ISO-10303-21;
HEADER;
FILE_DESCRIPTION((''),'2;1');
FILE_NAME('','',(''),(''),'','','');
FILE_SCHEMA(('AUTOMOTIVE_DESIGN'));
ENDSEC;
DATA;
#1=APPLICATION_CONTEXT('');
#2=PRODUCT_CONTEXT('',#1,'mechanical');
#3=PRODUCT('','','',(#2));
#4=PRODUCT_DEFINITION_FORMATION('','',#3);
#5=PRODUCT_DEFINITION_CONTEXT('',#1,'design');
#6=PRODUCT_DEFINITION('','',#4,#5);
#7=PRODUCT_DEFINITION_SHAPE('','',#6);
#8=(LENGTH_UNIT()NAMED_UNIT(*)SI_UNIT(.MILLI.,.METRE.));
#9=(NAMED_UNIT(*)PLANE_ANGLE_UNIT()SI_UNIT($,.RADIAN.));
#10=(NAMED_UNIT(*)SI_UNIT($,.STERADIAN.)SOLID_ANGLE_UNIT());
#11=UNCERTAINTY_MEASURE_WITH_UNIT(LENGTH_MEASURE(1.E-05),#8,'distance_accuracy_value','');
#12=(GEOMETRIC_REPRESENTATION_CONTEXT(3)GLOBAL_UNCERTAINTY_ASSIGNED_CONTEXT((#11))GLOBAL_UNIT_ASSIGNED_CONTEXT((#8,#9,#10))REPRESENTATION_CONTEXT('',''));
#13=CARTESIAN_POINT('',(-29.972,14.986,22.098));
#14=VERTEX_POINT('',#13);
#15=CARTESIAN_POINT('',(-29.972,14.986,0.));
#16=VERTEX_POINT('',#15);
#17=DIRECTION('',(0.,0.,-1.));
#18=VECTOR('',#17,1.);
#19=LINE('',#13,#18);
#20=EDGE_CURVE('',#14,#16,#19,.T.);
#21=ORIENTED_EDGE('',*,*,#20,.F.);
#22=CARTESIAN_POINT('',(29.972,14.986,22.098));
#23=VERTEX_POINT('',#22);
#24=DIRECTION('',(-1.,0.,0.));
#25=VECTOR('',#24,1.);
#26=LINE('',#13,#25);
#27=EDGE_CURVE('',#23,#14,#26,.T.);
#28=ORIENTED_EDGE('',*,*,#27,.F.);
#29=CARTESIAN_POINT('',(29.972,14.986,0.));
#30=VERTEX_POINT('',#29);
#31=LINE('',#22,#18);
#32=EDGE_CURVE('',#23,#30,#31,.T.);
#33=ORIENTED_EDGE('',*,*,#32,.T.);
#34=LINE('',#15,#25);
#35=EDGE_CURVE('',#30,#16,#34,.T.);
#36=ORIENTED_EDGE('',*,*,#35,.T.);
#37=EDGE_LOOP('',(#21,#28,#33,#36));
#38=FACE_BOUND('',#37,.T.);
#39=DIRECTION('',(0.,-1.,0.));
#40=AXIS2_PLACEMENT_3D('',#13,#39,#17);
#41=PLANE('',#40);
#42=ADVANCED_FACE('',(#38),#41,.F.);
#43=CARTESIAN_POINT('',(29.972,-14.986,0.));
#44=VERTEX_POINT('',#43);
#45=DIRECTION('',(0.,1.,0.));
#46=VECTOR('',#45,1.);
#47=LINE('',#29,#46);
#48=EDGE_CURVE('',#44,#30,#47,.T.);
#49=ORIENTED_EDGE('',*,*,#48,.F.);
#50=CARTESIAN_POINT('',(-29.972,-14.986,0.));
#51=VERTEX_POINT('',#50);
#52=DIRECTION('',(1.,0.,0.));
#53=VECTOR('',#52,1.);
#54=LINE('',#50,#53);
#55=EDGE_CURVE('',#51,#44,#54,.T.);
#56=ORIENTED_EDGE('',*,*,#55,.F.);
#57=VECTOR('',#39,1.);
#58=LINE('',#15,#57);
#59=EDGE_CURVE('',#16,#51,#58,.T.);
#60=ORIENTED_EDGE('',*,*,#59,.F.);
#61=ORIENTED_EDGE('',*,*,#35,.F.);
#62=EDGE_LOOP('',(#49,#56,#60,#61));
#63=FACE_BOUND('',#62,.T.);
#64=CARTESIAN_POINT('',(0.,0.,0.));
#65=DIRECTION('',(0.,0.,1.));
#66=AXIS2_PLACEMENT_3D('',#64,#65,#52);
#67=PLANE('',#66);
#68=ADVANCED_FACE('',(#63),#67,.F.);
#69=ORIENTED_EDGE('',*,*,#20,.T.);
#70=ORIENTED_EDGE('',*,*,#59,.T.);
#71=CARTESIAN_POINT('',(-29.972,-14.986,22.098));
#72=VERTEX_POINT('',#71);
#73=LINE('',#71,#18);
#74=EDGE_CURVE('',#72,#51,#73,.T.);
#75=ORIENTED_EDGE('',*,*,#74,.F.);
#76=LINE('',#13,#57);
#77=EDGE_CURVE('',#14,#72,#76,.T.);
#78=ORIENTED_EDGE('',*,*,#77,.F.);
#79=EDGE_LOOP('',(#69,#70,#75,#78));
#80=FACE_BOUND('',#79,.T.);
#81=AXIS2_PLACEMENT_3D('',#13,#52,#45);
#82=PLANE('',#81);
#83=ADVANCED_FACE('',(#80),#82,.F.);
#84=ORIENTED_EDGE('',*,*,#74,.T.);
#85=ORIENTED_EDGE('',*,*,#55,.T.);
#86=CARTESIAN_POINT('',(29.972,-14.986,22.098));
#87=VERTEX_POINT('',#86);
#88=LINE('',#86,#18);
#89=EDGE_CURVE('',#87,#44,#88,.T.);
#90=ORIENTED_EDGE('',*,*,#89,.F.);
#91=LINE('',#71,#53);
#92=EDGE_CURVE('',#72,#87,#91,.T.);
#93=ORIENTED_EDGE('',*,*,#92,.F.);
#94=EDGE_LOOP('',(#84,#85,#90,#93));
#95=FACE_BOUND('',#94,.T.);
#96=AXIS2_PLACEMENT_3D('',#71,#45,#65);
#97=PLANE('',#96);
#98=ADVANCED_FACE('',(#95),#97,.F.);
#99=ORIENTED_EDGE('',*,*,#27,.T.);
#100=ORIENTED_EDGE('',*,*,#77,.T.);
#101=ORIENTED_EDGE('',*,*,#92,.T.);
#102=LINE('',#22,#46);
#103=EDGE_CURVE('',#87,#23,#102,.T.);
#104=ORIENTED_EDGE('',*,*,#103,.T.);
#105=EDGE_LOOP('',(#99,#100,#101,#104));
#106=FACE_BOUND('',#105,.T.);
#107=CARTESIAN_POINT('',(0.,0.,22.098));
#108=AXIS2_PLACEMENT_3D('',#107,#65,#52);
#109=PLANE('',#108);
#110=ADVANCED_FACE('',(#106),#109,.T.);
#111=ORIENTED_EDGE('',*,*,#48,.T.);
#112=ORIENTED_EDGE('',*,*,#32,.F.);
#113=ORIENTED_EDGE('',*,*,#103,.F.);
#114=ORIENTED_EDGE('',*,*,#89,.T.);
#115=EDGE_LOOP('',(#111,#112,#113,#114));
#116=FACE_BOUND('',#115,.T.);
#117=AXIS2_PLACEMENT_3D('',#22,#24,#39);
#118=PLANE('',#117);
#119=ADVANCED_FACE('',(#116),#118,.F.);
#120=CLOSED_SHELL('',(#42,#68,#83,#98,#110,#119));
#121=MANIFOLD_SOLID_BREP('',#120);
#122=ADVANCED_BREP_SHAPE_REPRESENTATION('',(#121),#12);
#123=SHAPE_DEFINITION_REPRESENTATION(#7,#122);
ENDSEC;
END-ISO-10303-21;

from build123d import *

# Parameters (mm, degrees)
SKETCH1_W           = 59.944
SKETCH1_H           = 29.972
BOSS_EXTRUDE1_DEPTH = 22.098


with BuildPart() as part:
    # Sketch1 → Boss-Extrude1 (new body)
    with BuildSketch(Plane.XY):
        Rectangle(SKETCH1_W, SKETCH1_H)
    extrude(amount=BOSS_EXTRUDE1_DEPTH)


solid = part.part
